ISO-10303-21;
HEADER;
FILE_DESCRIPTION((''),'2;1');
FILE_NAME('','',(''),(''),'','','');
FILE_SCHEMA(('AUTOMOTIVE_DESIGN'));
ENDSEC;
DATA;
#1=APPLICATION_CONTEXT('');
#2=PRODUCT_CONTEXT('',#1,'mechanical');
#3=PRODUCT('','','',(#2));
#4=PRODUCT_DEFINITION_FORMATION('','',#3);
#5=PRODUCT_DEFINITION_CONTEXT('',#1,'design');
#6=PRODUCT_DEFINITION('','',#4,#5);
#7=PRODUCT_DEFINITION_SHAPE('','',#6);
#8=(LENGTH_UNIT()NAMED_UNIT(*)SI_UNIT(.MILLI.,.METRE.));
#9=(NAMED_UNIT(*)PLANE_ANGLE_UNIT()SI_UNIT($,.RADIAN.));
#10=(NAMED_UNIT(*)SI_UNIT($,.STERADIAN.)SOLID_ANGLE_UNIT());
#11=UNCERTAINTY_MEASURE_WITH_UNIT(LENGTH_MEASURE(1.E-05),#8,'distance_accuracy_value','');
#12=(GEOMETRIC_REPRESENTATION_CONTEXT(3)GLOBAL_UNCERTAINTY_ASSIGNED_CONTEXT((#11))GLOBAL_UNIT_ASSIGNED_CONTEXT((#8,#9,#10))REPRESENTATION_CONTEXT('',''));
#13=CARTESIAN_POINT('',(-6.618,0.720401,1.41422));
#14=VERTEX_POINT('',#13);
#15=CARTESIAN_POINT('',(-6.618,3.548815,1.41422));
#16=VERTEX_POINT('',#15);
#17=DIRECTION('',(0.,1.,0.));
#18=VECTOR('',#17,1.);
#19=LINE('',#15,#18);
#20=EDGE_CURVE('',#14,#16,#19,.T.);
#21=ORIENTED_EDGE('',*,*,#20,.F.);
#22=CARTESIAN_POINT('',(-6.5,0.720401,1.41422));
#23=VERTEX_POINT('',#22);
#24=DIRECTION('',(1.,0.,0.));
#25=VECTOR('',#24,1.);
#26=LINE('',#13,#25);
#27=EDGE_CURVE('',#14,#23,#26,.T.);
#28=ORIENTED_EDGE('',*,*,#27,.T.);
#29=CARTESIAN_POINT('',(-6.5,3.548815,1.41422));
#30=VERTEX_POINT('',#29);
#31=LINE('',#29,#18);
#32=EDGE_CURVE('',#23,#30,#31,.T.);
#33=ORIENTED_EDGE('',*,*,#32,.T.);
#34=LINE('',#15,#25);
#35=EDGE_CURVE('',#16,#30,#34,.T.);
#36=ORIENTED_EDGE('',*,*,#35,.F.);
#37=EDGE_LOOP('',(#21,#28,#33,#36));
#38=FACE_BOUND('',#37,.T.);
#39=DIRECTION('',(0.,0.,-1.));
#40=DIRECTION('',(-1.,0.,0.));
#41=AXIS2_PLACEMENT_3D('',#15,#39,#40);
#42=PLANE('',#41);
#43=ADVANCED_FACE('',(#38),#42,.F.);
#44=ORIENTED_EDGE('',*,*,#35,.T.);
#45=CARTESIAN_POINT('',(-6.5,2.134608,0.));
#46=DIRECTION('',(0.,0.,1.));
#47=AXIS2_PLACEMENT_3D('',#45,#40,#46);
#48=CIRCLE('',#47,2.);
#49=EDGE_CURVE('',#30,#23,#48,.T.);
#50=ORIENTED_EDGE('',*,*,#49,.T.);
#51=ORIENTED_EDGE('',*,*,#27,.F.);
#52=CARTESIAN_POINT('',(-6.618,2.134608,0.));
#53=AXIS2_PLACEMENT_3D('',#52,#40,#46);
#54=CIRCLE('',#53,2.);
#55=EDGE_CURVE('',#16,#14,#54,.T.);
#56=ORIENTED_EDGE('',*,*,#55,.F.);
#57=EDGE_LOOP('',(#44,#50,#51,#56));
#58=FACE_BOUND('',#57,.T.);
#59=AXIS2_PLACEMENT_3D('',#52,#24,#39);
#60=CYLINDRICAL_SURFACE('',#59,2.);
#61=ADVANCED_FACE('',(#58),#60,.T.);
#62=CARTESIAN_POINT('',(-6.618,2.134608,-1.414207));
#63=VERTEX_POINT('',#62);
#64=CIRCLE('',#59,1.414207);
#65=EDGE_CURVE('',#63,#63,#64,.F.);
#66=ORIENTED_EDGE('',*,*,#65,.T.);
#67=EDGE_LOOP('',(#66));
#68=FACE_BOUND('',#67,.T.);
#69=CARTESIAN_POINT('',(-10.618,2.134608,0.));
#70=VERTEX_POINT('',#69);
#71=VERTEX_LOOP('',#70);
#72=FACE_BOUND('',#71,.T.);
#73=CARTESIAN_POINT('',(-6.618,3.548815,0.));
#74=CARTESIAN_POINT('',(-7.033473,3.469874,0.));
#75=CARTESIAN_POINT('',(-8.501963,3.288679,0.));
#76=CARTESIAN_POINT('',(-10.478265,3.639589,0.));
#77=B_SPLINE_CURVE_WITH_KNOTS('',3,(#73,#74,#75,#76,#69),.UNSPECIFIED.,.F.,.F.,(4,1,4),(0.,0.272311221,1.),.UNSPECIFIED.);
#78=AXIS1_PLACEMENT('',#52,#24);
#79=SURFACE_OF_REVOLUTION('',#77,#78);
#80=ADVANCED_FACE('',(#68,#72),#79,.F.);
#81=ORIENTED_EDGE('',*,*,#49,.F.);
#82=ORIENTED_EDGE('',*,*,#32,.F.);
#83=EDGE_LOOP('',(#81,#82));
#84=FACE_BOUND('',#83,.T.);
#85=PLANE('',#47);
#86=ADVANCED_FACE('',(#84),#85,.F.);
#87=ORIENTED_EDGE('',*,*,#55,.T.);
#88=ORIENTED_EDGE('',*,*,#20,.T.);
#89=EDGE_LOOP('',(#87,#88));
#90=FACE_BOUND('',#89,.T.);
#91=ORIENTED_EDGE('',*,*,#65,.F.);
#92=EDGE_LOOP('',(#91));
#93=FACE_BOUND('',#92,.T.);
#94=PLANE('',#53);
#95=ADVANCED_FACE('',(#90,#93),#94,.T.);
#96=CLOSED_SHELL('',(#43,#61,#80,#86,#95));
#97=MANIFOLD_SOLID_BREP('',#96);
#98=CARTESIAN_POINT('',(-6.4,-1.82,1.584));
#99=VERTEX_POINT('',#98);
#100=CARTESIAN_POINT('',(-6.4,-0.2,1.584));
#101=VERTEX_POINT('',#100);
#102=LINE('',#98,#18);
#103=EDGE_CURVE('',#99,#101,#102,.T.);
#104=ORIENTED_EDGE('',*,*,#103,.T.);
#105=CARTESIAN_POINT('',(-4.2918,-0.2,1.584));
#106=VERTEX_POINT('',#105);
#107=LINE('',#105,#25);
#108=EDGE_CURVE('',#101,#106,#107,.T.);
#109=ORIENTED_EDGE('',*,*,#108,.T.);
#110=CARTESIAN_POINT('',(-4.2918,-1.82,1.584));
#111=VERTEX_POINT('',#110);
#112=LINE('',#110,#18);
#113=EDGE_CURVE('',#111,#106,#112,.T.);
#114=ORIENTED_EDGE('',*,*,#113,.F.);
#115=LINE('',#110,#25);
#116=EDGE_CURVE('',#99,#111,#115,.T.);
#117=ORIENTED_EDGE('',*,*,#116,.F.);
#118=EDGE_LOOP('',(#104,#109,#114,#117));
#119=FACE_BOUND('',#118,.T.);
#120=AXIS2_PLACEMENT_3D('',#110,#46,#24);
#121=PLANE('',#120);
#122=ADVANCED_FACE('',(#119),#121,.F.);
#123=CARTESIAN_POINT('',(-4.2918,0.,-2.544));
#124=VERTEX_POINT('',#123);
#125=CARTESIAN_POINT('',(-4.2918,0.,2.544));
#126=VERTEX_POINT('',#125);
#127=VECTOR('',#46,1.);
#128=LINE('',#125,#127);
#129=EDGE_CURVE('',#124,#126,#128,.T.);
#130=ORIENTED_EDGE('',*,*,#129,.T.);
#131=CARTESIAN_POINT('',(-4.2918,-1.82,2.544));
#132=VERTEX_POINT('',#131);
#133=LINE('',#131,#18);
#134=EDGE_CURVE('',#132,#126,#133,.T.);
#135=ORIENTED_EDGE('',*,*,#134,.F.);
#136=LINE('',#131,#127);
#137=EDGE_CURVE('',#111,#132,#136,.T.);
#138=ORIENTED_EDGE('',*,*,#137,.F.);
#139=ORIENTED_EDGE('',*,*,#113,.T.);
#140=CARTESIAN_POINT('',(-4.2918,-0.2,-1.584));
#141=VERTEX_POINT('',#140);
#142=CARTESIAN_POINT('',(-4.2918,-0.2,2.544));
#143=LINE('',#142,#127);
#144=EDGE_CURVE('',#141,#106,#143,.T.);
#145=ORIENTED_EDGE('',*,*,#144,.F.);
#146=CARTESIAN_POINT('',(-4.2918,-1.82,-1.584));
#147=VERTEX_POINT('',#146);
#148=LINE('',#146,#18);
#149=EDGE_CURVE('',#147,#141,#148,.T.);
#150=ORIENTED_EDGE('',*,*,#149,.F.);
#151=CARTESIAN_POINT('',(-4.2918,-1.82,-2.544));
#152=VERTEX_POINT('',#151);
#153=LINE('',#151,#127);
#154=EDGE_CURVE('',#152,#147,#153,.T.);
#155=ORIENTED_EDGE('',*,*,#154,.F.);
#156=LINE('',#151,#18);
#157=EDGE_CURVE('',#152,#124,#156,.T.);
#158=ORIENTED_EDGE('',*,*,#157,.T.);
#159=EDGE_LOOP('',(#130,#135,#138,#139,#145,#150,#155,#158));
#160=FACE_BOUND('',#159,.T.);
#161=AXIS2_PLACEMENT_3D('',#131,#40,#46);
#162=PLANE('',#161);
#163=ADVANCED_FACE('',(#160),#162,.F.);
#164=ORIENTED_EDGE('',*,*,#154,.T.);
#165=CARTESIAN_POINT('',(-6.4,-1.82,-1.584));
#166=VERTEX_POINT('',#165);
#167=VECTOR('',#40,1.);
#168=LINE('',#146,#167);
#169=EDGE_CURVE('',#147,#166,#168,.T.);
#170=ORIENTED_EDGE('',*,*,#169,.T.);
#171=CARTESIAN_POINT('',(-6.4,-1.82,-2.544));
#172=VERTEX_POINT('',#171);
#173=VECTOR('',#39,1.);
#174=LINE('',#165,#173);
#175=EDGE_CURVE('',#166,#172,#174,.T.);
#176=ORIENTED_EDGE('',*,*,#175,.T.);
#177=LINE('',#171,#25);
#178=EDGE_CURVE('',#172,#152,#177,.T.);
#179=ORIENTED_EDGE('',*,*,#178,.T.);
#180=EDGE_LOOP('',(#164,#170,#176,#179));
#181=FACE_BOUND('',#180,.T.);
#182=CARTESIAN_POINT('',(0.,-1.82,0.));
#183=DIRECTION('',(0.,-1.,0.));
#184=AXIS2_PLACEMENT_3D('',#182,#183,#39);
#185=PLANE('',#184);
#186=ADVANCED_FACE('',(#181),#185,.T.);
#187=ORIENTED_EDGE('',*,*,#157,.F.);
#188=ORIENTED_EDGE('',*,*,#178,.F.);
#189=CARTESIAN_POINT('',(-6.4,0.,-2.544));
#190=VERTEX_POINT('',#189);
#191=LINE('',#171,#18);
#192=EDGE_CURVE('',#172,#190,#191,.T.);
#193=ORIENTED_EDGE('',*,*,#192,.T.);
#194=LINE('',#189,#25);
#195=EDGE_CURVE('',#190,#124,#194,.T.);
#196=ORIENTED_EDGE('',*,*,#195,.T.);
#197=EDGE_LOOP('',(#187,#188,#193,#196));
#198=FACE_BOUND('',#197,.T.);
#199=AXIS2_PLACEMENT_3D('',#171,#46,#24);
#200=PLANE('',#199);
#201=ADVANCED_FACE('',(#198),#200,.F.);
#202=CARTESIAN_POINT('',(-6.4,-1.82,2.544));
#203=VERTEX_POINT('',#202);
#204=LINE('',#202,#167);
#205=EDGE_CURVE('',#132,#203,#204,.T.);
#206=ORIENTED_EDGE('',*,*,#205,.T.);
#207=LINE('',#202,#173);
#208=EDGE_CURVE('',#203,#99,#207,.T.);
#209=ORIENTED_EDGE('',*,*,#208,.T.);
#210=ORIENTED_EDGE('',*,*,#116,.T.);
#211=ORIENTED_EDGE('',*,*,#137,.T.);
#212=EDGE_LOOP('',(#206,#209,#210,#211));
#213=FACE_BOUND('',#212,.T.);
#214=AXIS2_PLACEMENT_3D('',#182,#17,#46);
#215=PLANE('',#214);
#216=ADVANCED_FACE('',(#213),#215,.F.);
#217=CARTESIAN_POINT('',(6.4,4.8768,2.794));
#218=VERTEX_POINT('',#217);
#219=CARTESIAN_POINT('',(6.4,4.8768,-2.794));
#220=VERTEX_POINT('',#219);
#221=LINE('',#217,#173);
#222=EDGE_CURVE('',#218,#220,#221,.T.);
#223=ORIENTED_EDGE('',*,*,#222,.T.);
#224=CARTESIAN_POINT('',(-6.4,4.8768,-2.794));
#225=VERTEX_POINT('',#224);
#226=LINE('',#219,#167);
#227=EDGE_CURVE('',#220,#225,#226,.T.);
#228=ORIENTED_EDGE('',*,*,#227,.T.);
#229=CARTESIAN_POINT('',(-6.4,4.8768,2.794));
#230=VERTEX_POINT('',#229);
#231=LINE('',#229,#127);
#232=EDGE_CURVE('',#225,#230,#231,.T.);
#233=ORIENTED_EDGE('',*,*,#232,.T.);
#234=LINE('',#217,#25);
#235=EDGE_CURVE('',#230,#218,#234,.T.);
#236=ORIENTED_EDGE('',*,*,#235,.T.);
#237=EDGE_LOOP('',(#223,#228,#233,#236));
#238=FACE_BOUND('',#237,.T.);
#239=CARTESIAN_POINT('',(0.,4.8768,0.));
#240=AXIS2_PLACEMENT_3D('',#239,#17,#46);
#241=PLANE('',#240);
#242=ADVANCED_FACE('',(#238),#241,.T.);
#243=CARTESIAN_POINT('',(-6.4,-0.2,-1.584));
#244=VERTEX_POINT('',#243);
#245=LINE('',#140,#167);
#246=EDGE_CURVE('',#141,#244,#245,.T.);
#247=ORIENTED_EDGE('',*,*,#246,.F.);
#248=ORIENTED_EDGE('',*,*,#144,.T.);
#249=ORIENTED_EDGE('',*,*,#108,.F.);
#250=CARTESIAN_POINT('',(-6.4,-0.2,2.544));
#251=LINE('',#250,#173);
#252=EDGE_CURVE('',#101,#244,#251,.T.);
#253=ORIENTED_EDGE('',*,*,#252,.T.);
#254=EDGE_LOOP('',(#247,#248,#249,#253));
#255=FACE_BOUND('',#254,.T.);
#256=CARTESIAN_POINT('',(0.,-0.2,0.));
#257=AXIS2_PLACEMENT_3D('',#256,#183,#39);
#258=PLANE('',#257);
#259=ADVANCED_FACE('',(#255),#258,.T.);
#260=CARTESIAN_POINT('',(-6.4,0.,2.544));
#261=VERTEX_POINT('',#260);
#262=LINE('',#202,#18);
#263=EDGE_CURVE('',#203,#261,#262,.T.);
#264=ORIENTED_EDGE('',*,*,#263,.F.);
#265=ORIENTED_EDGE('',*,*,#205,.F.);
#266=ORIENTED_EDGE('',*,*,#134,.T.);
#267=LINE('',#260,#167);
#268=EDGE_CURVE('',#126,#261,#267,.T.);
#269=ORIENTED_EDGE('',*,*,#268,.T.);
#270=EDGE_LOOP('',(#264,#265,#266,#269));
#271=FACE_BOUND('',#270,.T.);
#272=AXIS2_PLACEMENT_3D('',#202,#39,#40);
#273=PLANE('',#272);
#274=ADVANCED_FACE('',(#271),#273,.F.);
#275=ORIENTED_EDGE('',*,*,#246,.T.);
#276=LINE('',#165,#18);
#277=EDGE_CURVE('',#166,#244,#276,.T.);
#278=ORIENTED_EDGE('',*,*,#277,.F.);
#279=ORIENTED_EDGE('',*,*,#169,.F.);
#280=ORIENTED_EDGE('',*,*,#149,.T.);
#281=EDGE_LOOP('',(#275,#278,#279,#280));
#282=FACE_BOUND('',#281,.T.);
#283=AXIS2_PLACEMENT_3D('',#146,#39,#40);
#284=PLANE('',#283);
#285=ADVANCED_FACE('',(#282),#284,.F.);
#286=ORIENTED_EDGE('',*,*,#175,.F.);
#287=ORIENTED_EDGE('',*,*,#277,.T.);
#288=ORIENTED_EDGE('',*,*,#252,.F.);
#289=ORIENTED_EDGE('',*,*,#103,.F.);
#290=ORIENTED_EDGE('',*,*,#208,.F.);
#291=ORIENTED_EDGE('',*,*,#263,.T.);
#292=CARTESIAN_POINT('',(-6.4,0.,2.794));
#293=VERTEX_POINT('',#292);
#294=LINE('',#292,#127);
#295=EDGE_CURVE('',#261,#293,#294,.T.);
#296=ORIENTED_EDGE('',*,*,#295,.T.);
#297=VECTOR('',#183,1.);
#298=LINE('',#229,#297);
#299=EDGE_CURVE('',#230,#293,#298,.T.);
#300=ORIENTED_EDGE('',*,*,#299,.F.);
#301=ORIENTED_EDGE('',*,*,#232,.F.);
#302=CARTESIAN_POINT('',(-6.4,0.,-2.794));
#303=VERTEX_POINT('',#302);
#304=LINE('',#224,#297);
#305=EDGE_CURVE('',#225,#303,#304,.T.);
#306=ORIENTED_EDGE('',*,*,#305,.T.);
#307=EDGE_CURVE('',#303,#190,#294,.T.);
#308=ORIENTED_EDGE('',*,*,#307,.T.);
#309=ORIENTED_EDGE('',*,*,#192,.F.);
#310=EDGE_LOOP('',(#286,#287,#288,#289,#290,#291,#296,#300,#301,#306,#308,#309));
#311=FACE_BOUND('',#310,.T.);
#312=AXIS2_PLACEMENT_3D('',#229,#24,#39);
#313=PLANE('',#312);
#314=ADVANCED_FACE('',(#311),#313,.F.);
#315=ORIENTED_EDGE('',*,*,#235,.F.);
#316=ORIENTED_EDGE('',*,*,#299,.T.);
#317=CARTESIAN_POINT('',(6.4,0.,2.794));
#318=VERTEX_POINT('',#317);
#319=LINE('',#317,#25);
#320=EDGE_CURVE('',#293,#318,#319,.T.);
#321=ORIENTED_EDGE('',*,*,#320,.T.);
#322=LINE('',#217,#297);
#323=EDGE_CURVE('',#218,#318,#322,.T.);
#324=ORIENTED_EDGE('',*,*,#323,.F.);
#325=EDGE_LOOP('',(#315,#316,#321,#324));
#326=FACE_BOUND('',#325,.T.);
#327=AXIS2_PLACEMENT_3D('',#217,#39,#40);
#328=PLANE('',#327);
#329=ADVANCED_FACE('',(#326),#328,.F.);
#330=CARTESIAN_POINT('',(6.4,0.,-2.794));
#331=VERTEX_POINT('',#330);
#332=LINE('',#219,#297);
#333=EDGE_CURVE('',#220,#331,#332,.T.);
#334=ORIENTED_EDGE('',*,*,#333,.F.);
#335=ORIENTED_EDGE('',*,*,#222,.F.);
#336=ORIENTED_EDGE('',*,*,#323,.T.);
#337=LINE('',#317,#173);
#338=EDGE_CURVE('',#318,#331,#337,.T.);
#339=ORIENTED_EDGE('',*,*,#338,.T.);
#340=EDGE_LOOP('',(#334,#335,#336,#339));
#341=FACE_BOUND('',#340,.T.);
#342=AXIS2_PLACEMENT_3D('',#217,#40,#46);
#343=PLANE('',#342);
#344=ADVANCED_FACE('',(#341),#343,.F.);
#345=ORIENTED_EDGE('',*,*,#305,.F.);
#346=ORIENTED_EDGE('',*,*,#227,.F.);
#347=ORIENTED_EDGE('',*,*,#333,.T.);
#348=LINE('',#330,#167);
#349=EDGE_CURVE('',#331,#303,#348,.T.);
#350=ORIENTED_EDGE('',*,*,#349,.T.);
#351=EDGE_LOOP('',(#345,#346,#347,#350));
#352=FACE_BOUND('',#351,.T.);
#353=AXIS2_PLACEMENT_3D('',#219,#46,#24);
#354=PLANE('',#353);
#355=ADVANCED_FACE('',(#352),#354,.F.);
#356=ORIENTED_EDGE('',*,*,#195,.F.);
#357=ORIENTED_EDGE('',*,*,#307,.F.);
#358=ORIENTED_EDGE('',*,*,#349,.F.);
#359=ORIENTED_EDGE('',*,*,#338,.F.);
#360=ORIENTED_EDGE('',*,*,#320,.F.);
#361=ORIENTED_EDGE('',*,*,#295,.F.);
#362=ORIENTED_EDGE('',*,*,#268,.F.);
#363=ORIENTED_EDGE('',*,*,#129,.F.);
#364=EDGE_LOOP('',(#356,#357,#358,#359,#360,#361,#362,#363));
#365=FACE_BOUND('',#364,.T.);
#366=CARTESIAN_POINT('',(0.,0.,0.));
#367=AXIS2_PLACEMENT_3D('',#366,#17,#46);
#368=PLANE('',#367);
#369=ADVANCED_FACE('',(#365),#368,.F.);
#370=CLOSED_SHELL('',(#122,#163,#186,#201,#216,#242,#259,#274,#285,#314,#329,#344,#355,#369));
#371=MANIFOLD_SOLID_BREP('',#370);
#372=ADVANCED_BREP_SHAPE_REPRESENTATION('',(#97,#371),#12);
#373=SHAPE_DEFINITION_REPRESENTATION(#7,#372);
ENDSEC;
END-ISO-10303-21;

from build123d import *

# Parameters (mm, degrees)
SKETCH1_W           = 12.8
SKETCH1_H           = 5.588
BOSS_EXTRUDE1_DEPTH = 4.8768
SKETCH2_W           = 2.1082
SKETCH2_H           = 0.96
BOSS_EXTRUDE2_DEPTH = 1.82
SKETCH3_W           = 2.1082
SKETCH3_H           = 5.088
BOSS_EXTRUDE3_DEPTH = 0.2
BOSS_EXTRUDE4_DEPTH = 0.118


with BuildPart() as part:
    # Sketch1 → Boss-Extrude1 (new body)
    with BuildSketch(Plane(origin=(0, 0, 0), x_dir=(1, 0, 0), z_dir=(0, 1, 0))):
        Rectangle(SKETCH1_W, SKETCH1_H)
    extrude(amount=BOSS_EXTRUDE1_DEPTH)

    # Sketch2 → Boss-Extrude2 (add)
    with BuildSketch(Plane.XZ):
        with Locations((-5.3459, 2.064)):
            Rectangle(SKETCH2_W, SKETCH2_H)
        with Locations((-5.3459, -2.064)):
            Rectangle(SKETCH2_W, SKETCH2_H)
    extrude(amount=BOSS_EXTRUDE2_DEPTH)

    # Sketch3 → Boss-Extrude3 (add)
    with BuildSketch(Plane.XZ):
        with Locations((-5.3459, 0)):
            Rectangle(SKETCH3_W, SKETCH3_H)
    extrude(amount=BOSS_EXTRUDE3_DEPTH)


with BuildPart() as body_2:
    # Sketch4 → Boss-Extrude4 (new body)
    with BuildSketch(Plane.ZY.offset(6.5)):
        with BuildLine():
            Line((1.414219818, 3.548815479), (1.414219818, 0.720400865))
            ThreePointArc((1.414219818, 0.720400865), (-2, 2.134608172), (1.414219818, 3.548815479))
        make_face()
    extrude(amount=BOSS_EXTRUDE4_DEPTH)

    # Sketch5 → Revolve1 (revolve)
    with BuildSketch(Plane.XY):
        with BuildLine():
            Line((-6.618, 3.548815479), (-6.618, 2.134608172))
            Line((-6.618, 2.134608172), (-10.618, 2.134608172))
            add(Edge.make_bspline(
                [(-10.618, 2.134608172), (-10.478265298, 3.639589378), (-8.501963306, 3.288678842), (-7.033473389, 3.469874423), (-6.618, 3.548815479)],
                knots=[0, 0, 0, 0, 0.727688779, 1, 1, 1, 1], degree=3))
        make_face()
    revolve(axis=Axis((-6.618, 2.134608172, 0), (-1, 0, 0)))


solid = Compound([part.part, body_2.part])
